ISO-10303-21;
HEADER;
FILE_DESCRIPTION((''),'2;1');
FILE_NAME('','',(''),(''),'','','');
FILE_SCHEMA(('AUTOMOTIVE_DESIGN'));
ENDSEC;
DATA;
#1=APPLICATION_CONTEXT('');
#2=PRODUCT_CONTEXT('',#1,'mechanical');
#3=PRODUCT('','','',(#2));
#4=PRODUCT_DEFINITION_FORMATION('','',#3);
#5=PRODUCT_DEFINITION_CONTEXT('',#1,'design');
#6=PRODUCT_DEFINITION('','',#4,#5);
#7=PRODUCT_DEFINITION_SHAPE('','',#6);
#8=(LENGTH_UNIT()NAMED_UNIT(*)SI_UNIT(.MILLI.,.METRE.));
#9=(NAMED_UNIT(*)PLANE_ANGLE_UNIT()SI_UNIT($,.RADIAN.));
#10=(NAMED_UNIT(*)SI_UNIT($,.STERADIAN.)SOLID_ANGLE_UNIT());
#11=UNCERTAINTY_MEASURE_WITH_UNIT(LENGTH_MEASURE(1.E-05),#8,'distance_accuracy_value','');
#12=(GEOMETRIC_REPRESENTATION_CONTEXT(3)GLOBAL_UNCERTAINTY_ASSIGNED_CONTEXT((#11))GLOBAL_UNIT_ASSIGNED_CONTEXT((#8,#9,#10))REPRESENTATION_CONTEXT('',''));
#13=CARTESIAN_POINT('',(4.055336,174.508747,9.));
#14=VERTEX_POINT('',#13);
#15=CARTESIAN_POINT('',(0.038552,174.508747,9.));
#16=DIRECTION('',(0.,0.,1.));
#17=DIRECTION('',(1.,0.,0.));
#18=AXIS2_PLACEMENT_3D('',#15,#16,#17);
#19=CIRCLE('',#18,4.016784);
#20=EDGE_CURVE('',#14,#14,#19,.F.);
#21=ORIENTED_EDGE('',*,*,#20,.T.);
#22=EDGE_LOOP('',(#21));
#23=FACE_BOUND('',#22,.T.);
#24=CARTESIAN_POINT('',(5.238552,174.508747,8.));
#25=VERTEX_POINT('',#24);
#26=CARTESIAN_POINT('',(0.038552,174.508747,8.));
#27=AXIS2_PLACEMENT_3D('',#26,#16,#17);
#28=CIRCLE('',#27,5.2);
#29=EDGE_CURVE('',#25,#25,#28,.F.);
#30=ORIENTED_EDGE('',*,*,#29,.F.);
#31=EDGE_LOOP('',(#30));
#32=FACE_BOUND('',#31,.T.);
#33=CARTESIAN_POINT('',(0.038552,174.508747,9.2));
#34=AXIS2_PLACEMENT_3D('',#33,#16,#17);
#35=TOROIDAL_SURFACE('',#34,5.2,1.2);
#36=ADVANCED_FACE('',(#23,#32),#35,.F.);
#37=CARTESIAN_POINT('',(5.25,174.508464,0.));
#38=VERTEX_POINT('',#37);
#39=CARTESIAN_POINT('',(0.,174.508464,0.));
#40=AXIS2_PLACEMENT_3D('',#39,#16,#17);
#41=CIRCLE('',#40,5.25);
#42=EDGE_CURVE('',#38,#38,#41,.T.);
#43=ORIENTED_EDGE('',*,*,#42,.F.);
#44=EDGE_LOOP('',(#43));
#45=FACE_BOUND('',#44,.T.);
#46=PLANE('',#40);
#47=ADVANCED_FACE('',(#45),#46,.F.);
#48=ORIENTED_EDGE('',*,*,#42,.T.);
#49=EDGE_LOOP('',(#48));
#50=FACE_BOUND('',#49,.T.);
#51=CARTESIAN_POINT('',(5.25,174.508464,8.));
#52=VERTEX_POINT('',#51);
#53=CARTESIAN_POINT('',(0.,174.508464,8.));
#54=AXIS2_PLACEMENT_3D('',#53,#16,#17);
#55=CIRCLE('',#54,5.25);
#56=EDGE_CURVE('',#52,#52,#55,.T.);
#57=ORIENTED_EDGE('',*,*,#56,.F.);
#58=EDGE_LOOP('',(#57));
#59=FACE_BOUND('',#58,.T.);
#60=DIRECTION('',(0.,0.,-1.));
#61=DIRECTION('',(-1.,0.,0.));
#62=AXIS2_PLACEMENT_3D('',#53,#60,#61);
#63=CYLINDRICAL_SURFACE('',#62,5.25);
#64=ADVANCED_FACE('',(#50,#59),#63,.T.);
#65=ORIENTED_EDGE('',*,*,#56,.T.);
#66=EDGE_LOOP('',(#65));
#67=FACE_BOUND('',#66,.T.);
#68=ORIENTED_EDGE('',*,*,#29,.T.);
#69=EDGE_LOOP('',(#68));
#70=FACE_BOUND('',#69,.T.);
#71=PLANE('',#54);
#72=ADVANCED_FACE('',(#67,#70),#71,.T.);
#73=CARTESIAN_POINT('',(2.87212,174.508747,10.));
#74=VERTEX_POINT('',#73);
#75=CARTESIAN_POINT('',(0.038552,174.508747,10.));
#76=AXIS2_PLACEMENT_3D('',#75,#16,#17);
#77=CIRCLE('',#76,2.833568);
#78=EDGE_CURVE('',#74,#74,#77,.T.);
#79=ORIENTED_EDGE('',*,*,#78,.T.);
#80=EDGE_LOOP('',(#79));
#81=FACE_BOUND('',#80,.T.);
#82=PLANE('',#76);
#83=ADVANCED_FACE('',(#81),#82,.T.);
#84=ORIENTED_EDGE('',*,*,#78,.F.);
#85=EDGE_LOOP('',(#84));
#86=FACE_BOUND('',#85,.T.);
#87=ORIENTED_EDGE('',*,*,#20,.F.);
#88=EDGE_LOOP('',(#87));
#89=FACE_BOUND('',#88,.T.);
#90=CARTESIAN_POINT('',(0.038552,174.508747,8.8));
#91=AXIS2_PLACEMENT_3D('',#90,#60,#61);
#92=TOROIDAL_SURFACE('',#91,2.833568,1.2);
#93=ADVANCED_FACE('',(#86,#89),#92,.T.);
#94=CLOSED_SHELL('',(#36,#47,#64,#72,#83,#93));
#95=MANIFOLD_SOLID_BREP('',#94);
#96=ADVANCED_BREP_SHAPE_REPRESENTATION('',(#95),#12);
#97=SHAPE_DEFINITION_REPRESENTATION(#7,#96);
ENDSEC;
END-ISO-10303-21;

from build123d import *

# Parameters (mm, degrees)
SKETCH1_R           = 5.25
BOSS_EXTRUDE1_DEPTH = 8
SKETCH2_R           = 4
BOSS_EXTRUDE2_DEPTH = 2
FILLET2_R           = 1.2
FILLET3_R           = 1.2


with BuildPart() as part:
    # Sketch1 → Boss-Extrude1 (new body)
    with BuildSketch(Plane.XY):
        with Locations((0, 174.50846383)):
            Circle(SKETCH1_R)
    extrude(amount=BOSS_EXTRUDE1_DEPTH)

    # Sketch2 → Boss-Extrude2 (add)
    with BuildSketch(Plane.XY.offset(8)):
        with Locations((0.038551533, 174.508746935)):
            Circle(SKETCH2_R)
    extrude(amount=BOSS_EXTRUDE2_DEPTH)

    # Fillet2
    fillet2_edges = [part.edges().sort_by_distance(p)[0] for p in [
        (-3.961448467, 174.508746935, 8),
    ]]
    fillet(fillet2_edges, radius=FILLET2_R)

    # Fillet3
    fillet3_edges = [part.edges().sort_by_distance(p)[0] for p in [
        (-3.961448467, 174.508746935, 10),
    ]]
    fillet(fillet3_edges, radius=FILLET3_R)


solid = part.part
